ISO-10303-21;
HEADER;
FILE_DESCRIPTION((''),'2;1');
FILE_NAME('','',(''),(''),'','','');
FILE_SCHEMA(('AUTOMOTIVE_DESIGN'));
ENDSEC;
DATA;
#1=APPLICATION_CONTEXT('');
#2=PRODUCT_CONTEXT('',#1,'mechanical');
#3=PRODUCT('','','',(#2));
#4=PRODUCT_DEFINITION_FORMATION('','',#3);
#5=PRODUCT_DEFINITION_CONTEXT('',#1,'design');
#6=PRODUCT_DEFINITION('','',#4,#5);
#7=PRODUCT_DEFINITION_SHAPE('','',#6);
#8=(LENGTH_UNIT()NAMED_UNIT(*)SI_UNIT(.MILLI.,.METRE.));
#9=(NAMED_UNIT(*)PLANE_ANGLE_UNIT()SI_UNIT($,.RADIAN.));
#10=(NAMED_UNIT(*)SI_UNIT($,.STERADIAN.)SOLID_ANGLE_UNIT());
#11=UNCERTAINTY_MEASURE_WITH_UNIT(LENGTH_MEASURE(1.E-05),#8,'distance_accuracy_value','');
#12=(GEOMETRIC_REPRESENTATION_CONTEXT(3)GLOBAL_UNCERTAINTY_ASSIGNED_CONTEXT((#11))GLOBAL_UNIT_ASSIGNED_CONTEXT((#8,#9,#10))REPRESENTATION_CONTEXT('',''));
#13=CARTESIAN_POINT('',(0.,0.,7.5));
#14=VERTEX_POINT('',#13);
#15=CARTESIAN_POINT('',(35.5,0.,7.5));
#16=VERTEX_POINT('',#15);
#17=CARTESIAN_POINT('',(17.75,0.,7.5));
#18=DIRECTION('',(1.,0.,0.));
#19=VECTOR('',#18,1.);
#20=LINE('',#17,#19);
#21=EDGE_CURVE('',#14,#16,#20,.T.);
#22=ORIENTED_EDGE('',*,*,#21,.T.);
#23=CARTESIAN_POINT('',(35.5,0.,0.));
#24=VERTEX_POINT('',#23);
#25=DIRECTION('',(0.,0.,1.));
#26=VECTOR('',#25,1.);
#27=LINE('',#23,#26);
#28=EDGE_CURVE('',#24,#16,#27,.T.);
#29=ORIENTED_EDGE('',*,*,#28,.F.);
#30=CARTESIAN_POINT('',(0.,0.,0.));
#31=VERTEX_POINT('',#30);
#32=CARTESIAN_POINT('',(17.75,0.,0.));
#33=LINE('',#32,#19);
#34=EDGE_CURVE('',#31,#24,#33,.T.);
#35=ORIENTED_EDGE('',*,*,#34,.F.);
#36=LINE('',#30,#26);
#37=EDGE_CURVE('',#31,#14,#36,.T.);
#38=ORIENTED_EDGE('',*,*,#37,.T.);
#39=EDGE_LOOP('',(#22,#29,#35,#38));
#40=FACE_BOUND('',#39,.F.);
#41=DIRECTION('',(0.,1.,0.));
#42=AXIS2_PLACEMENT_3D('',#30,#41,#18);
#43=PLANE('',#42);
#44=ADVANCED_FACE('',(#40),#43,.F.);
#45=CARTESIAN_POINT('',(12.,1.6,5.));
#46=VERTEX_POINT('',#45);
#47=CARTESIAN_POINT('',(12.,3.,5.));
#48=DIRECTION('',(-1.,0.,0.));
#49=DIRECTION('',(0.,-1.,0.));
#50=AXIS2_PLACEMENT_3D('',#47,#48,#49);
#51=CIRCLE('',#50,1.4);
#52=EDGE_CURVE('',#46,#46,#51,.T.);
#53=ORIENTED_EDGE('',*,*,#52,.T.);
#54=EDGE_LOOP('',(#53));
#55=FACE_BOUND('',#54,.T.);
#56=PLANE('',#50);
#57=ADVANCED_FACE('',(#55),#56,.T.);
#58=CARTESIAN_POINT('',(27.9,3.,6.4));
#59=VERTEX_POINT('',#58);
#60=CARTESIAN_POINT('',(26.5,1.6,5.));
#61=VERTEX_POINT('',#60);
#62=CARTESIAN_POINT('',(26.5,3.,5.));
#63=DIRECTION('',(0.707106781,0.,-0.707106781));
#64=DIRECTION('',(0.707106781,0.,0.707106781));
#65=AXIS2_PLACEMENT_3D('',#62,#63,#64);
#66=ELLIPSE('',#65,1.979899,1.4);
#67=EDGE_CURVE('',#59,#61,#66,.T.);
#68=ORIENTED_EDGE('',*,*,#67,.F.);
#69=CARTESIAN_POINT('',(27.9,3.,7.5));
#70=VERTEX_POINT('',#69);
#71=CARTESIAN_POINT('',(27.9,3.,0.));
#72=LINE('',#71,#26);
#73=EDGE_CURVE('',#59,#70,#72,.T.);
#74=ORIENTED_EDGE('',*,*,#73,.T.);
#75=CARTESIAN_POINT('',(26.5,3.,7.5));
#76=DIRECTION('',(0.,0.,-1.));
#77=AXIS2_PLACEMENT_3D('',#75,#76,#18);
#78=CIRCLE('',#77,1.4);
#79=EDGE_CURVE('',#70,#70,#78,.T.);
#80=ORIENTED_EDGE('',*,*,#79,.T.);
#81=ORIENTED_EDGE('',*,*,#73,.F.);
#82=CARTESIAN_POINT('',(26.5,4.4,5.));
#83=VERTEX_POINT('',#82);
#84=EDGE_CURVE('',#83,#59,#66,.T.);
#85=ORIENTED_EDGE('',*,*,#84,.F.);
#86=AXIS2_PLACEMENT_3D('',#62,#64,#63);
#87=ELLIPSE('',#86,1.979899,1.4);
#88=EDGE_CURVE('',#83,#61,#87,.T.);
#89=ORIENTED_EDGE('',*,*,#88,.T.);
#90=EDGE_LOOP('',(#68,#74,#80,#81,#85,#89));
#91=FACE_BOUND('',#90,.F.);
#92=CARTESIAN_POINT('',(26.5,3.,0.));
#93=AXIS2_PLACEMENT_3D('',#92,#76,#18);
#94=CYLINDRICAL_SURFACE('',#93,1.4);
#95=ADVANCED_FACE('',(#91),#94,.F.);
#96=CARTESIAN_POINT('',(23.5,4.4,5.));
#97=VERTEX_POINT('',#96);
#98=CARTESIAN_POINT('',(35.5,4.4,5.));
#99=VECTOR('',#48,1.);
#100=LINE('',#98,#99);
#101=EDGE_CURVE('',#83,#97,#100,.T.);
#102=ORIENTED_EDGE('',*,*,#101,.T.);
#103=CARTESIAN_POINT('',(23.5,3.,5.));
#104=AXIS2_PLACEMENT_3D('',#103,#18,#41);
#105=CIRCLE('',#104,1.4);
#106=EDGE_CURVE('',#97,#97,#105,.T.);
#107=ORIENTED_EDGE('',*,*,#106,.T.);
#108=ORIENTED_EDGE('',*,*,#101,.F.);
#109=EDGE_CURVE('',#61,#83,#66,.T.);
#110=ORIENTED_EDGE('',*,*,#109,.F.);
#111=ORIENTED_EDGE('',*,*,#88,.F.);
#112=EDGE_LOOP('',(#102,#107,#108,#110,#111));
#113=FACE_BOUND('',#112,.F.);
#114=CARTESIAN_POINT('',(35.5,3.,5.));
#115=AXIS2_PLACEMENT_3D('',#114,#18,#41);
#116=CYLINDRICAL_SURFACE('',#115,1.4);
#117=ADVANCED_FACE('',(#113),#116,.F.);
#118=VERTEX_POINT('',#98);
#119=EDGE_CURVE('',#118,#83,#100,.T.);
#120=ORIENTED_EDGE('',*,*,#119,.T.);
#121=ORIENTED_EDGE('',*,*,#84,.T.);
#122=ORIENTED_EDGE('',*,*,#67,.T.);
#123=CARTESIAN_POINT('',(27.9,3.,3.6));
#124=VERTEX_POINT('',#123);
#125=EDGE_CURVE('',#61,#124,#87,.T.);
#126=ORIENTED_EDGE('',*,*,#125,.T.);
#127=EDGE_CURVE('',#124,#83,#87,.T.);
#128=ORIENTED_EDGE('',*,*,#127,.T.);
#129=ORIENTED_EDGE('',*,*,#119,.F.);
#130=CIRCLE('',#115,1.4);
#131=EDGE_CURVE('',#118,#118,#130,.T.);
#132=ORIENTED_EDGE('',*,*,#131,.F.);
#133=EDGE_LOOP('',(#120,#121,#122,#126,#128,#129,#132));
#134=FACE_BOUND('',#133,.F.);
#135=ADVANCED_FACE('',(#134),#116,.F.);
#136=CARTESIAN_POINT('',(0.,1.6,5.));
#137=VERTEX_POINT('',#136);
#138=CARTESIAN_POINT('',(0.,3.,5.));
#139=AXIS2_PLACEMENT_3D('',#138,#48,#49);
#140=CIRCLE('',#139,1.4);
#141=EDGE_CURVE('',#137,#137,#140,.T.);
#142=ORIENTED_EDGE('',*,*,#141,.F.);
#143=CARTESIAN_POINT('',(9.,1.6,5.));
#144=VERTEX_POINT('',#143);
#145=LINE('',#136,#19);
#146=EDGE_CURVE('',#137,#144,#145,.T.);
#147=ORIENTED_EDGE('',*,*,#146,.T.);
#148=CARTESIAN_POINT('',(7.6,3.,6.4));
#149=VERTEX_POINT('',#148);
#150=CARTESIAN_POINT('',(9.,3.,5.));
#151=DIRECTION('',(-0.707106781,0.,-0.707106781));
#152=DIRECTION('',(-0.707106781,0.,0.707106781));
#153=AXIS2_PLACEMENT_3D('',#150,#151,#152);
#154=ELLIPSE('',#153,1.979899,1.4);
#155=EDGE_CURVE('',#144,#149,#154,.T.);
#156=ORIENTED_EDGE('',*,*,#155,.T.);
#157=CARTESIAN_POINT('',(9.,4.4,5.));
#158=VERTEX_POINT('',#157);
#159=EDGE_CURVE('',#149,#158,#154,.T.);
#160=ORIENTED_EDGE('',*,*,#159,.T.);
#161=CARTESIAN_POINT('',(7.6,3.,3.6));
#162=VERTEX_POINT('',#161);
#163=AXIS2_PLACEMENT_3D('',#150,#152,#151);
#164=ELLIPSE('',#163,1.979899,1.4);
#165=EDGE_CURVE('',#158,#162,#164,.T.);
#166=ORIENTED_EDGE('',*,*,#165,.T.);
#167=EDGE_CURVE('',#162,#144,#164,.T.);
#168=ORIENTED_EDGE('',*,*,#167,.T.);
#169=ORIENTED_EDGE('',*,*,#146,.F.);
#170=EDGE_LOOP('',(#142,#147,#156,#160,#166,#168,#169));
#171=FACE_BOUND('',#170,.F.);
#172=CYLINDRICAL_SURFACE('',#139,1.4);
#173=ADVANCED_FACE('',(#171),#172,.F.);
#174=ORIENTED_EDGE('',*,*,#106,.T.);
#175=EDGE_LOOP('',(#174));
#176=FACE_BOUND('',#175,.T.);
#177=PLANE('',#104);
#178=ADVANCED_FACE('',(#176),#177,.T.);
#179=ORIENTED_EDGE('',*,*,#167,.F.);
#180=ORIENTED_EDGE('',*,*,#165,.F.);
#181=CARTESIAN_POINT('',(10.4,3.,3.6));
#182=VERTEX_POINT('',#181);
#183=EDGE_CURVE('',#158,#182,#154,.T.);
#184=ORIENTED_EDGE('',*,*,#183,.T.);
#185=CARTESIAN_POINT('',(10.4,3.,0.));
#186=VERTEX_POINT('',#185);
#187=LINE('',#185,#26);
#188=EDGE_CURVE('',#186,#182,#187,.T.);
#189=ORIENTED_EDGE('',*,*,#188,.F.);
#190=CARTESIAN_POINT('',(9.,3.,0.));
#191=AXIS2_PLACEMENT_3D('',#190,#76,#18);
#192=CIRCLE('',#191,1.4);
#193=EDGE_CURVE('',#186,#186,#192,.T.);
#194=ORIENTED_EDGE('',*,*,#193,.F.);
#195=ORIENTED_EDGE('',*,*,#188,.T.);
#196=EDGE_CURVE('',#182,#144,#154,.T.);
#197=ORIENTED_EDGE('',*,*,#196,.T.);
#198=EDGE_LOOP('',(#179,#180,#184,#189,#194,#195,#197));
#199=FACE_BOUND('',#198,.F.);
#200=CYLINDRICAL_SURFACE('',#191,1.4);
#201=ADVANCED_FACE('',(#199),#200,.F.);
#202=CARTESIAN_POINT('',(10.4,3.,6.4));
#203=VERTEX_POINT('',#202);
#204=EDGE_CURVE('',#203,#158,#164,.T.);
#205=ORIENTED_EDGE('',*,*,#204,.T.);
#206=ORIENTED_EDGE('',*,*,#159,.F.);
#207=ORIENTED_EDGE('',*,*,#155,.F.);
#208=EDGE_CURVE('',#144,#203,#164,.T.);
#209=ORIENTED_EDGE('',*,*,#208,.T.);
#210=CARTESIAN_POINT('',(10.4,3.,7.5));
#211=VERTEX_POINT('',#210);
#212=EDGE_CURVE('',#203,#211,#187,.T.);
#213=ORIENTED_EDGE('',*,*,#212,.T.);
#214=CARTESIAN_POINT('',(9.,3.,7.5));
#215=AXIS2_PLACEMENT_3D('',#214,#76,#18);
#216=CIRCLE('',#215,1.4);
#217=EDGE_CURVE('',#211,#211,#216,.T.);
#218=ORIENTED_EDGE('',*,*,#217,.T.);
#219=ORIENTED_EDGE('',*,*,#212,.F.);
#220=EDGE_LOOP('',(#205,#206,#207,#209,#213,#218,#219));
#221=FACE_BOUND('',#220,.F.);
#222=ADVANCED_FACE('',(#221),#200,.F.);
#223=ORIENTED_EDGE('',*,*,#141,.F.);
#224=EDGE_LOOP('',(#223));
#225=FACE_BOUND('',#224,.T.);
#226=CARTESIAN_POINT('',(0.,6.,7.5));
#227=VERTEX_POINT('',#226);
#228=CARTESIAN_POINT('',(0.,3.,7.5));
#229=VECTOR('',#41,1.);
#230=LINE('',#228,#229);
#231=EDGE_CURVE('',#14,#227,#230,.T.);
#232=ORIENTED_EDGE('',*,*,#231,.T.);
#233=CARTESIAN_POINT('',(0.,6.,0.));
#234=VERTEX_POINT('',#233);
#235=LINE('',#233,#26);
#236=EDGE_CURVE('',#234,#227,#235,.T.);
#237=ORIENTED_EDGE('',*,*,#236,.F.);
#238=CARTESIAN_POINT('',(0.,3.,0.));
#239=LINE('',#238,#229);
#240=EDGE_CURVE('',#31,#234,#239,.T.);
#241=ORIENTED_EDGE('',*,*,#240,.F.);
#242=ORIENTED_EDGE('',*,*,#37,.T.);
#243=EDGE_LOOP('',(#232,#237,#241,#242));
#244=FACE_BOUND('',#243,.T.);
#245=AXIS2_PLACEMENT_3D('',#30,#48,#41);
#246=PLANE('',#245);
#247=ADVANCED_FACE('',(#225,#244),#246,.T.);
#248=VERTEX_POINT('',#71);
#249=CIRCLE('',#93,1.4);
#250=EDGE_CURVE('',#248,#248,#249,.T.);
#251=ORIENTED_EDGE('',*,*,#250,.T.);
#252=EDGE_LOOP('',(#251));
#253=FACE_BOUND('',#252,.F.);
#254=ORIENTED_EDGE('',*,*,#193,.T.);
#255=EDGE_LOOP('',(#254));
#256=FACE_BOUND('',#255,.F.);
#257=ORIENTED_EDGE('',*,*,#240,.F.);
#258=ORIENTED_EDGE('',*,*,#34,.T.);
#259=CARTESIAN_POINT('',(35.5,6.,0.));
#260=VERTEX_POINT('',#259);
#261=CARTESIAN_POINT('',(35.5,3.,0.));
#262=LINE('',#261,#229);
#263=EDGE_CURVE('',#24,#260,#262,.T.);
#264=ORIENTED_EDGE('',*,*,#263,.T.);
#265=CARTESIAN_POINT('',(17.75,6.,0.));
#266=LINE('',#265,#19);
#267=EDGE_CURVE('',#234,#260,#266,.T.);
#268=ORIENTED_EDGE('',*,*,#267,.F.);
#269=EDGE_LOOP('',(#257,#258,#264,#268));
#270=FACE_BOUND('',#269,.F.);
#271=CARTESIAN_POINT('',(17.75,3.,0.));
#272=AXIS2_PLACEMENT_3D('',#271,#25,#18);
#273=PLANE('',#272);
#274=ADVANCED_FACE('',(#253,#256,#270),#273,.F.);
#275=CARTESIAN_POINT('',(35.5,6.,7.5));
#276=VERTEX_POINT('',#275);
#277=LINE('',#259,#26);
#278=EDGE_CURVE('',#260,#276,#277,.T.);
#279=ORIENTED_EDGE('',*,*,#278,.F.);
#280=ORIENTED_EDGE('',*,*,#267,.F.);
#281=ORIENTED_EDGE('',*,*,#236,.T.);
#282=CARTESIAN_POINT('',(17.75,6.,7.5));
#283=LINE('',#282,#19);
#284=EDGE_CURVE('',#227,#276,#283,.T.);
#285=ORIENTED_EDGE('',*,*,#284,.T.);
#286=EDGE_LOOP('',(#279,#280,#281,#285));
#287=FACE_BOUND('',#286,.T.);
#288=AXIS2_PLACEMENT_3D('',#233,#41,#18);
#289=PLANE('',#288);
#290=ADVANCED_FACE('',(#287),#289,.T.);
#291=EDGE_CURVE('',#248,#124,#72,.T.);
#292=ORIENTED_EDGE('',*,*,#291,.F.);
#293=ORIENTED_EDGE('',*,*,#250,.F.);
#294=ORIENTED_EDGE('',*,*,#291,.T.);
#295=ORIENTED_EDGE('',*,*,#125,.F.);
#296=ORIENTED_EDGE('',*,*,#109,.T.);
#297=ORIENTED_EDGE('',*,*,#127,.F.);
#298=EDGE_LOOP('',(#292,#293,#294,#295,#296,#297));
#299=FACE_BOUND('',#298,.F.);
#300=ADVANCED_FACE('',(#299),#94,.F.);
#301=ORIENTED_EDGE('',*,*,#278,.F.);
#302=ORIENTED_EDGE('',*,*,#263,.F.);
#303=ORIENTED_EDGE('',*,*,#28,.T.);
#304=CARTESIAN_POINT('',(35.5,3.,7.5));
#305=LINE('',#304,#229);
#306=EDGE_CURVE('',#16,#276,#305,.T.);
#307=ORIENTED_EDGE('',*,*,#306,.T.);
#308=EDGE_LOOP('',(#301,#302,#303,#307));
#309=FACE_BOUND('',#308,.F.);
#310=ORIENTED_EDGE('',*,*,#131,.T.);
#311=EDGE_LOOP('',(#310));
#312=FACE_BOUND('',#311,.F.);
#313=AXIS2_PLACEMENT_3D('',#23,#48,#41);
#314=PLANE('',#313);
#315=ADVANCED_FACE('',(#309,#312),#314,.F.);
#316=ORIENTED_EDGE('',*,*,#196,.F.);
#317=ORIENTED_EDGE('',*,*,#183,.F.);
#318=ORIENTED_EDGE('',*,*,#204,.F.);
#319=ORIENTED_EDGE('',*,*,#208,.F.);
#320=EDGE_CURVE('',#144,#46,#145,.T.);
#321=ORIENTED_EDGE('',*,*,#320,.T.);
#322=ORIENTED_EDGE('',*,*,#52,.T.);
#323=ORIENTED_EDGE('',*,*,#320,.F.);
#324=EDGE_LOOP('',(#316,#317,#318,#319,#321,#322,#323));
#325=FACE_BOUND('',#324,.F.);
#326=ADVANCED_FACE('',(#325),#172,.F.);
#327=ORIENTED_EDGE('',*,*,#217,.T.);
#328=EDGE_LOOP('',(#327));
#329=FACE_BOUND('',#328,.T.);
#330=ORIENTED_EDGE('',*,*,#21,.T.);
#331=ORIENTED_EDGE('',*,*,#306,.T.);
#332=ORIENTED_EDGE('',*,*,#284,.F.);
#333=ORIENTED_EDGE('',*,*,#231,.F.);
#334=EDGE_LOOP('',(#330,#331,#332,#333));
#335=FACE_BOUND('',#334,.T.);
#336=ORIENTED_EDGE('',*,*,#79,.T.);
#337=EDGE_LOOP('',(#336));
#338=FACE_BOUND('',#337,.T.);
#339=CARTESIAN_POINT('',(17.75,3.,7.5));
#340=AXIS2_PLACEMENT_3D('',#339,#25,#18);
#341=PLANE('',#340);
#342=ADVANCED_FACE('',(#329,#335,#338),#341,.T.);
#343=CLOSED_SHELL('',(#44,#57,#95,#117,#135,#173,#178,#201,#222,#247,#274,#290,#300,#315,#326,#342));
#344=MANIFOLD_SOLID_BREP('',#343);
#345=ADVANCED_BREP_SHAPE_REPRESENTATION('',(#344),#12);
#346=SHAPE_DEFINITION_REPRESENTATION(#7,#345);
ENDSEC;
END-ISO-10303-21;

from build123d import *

# Parameters (mm, degrees)
F0_W     = 35.5
F0_H     = 6
F1_DEPTH = 7.5
F2_R     = 1.4
F3_DEPTH = 12
F4_R     = 1.4
F5_DEPTH = 12
F6_R     = 1.4
F7_DEPTH = 7.5


with BuildPart() as f1:
    # F0 (on Top) → F1 (new body)
    with BuildSketch(Plane.XY):
        with Locations((17.75, 3)):
            Rectangle(F0_W, F0_H)
    extrude(amount=F1_DEPTH)

    # F2 (on face) → F3 (cut)
    with BuildSketch(Plane.YZ.offset(35.5)):
        with Locations((3, 5)):
            Circle(F2_R)
    extrude(amount=-F3_DEPTH, mode=Mode.SUBTRACT)

    # F4 (on face) → F5 (cut)
    with BuildSketch(Plane(origin=(0, 0, 0), x_dir=(0, -1, 0), z_dir=(-1, 0, 0))):
        with Locations((-3, 5)):
            Circle(F4_R)
    extrude(amount=-F5_DEPTH, mode=Mode.SUBTRACT)

    # F6 (on face) → F7 (cut, through all)
    with BuildSketch(Plane(origin=(0, 0, 0), x_dir=(1, 0, 0), z_dir=(0, 0, -1))):
        with Locations((9, -3)):
            Circle(F6_R)
        with Locations((26.5, -3)):
            Circle(F6_R)
    extrude(amount=-F7_DEPTH, mode=Mode.SUBTRACT)


solid = f1.part
